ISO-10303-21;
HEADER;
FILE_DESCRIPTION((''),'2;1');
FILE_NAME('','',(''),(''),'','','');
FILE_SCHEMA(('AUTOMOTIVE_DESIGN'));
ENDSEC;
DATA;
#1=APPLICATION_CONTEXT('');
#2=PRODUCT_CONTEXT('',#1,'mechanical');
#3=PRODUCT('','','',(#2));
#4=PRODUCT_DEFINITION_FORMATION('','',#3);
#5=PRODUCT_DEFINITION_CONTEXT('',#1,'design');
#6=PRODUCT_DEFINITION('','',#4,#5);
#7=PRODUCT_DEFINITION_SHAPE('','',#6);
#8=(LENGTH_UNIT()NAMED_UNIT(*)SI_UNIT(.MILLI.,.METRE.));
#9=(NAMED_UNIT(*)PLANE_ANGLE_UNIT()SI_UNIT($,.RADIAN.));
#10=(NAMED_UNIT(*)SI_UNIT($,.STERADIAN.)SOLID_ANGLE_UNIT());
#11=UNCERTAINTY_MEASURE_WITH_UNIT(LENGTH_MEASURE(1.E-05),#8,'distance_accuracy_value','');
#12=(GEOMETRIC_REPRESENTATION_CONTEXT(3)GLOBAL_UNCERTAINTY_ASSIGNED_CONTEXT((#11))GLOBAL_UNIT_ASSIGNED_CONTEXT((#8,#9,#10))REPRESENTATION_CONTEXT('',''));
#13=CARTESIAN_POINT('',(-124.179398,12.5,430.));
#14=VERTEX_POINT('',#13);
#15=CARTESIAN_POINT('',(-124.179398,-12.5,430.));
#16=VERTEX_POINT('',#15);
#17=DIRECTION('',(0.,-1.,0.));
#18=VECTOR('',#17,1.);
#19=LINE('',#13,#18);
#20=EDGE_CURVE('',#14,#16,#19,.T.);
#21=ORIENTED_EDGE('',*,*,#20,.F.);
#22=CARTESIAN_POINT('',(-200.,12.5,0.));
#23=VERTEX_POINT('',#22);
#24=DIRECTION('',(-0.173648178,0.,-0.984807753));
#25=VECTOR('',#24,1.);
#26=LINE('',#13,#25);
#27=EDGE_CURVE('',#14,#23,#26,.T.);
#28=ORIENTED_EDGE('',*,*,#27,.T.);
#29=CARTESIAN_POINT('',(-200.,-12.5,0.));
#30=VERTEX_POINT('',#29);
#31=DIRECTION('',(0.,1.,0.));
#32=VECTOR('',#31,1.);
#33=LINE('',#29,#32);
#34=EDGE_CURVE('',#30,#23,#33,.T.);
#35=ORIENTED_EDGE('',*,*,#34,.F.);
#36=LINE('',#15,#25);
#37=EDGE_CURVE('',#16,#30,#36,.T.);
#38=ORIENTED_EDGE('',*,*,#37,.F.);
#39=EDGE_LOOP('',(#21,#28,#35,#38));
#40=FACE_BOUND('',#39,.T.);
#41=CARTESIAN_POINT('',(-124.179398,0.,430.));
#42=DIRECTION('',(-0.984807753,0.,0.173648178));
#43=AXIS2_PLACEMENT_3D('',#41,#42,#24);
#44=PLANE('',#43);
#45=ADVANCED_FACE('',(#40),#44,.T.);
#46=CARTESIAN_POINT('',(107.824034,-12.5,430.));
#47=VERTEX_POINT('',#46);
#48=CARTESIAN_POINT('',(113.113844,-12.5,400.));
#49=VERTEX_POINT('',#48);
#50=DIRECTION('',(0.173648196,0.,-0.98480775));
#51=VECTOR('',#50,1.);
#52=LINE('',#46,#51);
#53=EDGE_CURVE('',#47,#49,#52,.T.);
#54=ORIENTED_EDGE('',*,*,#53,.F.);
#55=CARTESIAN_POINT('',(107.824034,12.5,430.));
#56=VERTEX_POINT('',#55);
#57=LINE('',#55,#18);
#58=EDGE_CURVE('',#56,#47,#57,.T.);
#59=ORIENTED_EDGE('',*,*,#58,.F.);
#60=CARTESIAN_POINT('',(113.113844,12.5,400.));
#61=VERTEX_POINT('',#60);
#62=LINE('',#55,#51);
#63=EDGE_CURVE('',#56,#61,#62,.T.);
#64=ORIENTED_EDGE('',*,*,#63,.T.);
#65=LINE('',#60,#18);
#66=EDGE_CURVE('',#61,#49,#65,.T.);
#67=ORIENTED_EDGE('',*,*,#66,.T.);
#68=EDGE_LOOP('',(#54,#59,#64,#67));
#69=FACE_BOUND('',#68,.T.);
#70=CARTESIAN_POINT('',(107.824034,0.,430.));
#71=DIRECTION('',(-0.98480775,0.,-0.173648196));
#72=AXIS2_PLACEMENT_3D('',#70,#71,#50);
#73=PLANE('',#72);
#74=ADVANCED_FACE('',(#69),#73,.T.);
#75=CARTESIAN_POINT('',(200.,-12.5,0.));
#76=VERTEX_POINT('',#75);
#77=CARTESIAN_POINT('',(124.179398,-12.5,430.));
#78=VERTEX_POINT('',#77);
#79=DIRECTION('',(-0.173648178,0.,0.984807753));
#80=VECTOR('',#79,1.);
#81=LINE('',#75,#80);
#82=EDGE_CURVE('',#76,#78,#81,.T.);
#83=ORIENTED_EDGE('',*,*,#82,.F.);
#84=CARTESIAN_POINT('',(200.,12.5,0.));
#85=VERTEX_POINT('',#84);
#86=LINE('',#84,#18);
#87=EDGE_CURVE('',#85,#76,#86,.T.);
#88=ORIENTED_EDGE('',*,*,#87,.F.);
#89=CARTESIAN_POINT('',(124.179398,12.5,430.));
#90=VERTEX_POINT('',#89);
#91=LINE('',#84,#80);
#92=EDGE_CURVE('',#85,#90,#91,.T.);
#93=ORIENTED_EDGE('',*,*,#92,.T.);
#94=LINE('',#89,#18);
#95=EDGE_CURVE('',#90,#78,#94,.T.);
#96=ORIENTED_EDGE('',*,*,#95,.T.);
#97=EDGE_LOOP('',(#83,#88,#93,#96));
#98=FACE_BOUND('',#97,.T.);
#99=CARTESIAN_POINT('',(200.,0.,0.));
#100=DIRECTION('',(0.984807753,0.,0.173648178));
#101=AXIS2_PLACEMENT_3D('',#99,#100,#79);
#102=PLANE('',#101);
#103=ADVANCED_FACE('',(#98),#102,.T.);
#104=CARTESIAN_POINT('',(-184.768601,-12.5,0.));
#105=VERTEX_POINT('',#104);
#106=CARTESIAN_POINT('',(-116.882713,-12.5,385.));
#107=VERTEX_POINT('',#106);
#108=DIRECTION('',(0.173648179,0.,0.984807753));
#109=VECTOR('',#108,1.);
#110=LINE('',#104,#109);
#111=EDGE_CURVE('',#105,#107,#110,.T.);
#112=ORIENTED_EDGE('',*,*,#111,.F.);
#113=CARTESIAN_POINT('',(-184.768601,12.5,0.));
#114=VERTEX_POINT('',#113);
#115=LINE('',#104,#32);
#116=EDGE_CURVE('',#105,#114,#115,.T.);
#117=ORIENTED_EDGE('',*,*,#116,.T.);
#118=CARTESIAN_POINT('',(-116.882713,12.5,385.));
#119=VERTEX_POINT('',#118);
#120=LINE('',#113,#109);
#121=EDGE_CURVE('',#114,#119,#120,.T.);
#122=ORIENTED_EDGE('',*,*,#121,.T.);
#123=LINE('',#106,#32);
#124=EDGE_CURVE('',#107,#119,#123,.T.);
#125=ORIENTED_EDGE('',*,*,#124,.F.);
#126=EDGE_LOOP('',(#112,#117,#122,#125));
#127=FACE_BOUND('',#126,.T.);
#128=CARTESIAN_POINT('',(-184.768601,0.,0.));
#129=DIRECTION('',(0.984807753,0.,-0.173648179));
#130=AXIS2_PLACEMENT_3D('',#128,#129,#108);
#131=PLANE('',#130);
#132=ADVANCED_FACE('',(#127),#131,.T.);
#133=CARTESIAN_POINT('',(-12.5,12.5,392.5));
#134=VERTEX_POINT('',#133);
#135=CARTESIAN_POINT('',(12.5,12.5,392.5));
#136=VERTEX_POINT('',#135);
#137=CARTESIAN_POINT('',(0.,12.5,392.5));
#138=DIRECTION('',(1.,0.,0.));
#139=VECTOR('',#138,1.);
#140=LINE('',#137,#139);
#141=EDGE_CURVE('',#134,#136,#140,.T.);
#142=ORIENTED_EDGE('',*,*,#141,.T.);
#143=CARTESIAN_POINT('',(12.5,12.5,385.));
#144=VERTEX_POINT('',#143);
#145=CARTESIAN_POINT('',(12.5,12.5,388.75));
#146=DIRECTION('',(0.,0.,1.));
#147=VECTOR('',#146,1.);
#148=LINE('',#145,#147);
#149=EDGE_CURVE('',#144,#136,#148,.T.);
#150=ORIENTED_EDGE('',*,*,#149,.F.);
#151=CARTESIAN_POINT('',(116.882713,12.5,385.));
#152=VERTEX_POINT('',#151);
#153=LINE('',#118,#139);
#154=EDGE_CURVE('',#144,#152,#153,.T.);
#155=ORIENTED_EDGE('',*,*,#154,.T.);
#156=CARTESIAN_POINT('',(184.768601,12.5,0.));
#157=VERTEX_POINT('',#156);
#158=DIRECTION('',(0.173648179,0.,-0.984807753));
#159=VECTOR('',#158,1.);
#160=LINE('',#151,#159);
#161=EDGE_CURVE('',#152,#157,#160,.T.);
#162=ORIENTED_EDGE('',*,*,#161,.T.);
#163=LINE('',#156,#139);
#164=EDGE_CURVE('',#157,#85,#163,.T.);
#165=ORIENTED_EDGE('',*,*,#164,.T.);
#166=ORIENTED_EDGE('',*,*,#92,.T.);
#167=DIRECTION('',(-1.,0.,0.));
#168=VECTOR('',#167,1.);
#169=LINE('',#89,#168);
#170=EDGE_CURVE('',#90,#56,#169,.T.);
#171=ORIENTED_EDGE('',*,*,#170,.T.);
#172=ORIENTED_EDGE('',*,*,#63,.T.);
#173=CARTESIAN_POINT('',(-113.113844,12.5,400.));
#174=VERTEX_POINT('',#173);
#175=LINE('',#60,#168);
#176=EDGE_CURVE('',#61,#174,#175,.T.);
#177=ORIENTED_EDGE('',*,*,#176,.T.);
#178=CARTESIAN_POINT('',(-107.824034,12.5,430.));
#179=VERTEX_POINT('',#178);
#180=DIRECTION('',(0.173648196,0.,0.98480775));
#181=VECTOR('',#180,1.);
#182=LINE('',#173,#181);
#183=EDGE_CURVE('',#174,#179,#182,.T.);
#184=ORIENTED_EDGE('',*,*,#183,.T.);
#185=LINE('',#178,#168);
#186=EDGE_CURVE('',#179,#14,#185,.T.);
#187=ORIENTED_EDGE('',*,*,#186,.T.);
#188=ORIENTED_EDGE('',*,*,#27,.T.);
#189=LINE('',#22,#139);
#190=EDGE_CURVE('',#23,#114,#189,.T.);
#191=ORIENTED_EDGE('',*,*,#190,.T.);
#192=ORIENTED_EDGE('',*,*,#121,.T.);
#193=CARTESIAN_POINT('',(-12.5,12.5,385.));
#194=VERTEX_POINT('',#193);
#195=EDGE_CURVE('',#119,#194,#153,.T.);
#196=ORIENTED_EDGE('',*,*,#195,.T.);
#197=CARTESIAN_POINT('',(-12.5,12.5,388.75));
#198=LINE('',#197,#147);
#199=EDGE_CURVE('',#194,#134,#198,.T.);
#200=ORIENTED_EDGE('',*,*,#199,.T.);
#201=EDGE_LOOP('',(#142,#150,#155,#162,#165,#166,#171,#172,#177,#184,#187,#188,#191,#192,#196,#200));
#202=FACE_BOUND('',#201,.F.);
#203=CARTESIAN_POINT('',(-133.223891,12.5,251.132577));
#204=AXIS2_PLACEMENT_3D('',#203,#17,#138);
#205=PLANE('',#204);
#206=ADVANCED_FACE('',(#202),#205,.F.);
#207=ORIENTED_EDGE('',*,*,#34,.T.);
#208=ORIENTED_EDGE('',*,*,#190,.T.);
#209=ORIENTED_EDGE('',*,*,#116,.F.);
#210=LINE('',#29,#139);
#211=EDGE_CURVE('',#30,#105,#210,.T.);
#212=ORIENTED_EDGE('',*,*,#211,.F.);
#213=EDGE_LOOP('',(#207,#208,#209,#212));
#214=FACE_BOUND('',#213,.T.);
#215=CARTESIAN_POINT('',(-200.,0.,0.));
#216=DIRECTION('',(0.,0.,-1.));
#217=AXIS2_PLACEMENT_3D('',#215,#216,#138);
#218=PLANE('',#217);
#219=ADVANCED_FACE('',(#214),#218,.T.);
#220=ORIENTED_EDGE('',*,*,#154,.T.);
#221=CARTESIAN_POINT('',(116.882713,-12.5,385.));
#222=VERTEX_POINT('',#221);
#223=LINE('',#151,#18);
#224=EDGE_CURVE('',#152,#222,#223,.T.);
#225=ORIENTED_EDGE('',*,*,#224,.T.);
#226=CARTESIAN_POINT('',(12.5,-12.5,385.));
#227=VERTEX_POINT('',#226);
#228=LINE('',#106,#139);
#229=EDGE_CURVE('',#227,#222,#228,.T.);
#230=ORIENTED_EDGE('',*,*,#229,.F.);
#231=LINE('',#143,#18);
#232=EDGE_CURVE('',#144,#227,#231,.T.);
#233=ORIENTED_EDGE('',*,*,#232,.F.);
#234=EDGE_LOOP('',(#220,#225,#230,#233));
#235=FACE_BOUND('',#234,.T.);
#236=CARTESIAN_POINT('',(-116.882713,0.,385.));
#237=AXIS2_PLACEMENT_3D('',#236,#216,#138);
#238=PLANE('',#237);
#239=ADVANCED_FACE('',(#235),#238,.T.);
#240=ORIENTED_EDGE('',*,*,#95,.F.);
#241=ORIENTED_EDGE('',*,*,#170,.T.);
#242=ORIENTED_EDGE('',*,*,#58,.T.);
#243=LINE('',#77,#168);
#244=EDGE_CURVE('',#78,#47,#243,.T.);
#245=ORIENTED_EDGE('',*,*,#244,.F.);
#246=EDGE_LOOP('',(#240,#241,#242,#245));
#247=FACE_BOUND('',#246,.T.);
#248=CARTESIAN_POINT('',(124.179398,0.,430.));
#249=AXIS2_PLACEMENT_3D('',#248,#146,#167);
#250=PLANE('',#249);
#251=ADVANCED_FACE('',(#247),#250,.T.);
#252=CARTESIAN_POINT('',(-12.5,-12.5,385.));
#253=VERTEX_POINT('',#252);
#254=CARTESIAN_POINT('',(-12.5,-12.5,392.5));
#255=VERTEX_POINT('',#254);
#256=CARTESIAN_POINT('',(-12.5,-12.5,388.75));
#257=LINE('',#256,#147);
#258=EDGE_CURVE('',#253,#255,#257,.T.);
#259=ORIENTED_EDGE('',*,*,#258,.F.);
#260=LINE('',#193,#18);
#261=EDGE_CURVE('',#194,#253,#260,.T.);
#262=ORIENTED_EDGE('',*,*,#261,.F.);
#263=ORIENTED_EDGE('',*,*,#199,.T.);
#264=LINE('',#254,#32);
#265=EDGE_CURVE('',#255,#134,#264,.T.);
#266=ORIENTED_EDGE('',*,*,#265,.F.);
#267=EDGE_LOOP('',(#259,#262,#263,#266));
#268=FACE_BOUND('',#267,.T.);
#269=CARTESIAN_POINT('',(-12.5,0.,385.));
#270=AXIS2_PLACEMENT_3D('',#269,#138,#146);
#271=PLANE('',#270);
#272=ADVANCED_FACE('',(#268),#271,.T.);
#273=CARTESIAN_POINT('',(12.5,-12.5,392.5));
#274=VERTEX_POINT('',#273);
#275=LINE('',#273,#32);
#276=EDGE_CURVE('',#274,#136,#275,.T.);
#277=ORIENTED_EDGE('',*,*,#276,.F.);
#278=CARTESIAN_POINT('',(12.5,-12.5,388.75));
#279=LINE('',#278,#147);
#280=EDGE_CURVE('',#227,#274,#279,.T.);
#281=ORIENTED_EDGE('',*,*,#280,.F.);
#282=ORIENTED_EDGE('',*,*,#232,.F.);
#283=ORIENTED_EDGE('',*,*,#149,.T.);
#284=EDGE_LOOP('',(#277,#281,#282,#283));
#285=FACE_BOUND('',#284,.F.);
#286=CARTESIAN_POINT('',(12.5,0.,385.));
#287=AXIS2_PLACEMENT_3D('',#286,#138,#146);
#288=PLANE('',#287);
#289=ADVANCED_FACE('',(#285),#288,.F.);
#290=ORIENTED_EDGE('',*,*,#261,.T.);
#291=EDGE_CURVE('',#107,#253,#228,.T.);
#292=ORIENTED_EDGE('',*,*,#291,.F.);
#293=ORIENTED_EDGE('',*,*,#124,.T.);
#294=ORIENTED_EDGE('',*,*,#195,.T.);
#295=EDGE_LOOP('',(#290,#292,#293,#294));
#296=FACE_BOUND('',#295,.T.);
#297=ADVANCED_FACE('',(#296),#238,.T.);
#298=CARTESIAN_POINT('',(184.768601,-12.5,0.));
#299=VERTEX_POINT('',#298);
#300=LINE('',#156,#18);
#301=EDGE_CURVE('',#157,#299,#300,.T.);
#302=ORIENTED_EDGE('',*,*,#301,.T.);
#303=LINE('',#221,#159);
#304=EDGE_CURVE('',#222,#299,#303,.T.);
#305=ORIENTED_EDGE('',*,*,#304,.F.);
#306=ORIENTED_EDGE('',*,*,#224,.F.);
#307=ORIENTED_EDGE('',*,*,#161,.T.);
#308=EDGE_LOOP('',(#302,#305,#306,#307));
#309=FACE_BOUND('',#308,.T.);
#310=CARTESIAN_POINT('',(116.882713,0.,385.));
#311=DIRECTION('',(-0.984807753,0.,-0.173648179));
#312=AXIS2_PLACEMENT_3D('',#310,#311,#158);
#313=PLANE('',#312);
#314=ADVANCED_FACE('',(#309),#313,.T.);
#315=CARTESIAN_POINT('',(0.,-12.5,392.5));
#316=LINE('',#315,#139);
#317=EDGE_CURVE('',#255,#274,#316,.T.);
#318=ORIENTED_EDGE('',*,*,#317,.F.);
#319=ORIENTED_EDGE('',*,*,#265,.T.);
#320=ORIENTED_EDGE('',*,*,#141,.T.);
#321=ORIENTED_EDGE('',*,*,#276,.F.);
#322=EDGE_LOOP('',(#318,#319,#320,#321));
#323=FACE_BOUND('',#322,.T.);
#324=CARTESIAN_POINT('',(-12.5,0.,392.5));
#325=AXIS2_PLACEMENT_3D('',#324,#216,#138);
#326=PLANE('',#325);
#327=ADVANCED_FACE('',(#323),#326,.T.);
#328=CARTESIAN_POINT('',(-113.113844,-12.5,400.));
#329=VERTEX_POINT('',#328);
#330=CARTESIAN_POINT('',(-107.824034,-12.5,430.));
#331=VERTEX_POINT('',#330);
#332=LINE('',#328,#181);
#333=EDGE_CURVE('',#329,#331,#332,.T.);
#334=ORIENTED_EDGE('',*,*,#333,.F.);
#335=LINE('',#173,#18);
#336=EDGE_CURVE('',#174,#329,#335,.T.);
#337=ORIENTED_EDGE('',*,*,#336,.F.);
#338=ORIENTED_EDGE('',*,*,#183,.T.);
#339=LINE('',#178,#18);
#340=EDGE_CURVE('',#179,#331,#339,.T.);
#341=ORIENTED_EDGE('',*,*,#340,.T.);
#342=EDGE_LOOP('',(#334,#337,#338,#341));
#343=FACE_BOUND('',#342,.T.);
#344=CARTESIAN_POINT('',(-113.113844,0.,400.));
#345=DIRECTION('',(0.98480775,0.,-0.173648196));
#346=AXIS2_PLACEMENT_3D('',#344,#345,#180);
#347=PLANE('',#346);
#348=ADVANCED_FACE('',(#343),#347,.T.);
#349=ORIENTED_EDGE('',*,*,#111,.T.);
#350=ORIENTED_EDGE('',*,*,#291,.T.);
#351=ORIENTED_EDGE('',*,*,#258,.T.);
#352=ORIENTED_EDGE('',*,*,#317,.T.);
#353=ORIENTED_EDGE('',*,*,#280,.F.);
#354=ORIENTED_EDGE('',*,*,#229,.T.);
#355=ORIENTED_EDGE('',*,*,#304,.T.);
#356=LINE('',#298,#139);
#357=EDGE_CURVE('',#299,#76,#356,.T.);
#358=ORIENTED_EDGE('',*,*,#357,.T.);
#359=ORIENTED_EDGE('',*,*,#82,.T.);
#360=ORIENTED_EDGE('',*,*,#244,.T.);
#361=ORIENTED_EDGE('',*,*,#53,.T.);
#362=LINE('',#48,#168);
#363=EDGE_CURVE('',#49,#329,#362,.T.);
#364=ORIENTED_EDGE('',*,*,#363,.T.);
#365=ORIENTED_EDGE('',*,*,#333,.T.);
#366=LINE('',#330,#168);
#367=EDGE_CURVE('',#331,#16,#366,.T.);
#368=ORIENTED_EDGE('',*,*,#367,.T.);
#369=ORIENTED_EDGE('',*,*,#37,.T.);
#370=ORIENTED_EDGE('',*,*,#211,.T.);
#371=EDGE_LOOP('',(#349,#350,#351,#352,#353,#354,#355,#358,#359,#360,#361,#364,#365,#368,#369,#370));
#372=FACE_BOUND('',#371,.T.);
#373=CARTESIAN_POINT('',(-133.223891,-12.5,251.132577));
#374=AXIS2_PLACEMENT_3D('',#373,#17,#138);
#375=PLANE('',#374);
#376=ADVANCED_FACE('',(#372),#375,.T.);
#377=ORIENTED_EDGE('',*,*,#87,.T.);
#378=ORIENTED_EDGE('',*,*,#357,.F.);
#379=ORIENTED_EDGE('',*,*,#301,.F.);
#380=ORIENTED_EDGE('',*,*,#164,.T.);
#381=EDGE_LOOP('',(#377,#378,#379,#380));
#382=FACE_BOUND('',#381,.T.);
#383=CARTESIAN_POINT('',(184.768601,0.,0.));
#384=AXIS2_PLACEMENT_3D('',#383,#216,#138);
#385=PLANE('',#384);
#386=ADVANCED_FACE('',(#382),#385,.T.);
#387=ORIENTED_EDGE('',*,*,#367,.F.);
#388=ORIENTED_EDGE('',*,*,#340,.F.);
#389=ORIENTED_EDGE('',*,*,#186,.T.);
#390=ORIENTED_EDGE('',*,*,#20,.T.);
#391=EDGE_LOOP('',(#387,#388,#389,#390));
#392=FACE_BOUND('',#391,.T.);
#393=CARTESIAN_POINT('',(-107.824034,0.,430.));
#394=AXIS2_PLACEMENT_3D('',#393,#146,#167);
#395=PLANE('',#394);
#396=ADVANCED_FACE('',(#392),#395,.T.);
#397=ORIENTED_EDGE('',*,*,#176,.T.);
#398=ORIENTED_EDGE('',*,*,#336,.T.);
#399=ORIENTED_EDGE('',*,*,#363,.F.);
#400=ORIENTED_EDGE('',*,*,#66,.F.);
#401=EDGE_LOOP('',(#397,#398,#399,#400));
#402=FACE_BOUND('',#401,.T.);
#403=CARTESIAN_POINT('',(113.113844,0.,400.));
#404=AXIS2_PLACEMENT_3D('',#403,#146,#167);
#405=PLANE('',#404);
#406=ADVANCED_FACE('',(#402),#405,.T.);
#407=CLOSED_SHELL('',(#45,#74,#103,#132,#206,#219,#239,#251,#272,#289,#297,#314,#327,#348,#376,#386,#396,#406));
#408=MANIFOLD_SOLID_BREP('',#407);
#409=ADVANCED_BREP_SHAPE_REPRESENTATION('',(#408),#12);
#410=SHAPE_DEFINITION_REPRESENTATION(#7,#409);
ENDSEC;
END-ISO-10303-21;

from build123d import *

# Parameters (mm, degrees)
F1_DEPTH = 12.5
F2_W     = 25
F2_H     = 7.5
F3_DEPTH = 12.5


with BuildPart() as f1:
    # F0 (on Front) → F1 (new body, symmetric)
    with BuildSketch(Plane.XZ):
        Polygon((-116.882713, 385), (0, 385), (0, 400), (-113.113844, 400), (-107.824034, 430), (-124.179398, 430), (-200, 0), (-184.768601, 0), align=None)
        Polygon((0, 400), (0, 385), (116.882713, 385), (184.768601, 0), (200, 0), (124.179398, 430), (107.824034, 430), (113.113844, 400), align=None)
    extrude(amount=F1_DEPTH, both=True)

    # F2 (on Front) → F3 (cut, symmetric)
    with BuildSketch(Plane.XZ):
        with Locations((0, 388.75)):
            Rectangle(F2_W, F2_H)
    extrude(amount=F3_DEPTH, both=True, mode=Mode.SUBTRACT)


solid = f1.part
